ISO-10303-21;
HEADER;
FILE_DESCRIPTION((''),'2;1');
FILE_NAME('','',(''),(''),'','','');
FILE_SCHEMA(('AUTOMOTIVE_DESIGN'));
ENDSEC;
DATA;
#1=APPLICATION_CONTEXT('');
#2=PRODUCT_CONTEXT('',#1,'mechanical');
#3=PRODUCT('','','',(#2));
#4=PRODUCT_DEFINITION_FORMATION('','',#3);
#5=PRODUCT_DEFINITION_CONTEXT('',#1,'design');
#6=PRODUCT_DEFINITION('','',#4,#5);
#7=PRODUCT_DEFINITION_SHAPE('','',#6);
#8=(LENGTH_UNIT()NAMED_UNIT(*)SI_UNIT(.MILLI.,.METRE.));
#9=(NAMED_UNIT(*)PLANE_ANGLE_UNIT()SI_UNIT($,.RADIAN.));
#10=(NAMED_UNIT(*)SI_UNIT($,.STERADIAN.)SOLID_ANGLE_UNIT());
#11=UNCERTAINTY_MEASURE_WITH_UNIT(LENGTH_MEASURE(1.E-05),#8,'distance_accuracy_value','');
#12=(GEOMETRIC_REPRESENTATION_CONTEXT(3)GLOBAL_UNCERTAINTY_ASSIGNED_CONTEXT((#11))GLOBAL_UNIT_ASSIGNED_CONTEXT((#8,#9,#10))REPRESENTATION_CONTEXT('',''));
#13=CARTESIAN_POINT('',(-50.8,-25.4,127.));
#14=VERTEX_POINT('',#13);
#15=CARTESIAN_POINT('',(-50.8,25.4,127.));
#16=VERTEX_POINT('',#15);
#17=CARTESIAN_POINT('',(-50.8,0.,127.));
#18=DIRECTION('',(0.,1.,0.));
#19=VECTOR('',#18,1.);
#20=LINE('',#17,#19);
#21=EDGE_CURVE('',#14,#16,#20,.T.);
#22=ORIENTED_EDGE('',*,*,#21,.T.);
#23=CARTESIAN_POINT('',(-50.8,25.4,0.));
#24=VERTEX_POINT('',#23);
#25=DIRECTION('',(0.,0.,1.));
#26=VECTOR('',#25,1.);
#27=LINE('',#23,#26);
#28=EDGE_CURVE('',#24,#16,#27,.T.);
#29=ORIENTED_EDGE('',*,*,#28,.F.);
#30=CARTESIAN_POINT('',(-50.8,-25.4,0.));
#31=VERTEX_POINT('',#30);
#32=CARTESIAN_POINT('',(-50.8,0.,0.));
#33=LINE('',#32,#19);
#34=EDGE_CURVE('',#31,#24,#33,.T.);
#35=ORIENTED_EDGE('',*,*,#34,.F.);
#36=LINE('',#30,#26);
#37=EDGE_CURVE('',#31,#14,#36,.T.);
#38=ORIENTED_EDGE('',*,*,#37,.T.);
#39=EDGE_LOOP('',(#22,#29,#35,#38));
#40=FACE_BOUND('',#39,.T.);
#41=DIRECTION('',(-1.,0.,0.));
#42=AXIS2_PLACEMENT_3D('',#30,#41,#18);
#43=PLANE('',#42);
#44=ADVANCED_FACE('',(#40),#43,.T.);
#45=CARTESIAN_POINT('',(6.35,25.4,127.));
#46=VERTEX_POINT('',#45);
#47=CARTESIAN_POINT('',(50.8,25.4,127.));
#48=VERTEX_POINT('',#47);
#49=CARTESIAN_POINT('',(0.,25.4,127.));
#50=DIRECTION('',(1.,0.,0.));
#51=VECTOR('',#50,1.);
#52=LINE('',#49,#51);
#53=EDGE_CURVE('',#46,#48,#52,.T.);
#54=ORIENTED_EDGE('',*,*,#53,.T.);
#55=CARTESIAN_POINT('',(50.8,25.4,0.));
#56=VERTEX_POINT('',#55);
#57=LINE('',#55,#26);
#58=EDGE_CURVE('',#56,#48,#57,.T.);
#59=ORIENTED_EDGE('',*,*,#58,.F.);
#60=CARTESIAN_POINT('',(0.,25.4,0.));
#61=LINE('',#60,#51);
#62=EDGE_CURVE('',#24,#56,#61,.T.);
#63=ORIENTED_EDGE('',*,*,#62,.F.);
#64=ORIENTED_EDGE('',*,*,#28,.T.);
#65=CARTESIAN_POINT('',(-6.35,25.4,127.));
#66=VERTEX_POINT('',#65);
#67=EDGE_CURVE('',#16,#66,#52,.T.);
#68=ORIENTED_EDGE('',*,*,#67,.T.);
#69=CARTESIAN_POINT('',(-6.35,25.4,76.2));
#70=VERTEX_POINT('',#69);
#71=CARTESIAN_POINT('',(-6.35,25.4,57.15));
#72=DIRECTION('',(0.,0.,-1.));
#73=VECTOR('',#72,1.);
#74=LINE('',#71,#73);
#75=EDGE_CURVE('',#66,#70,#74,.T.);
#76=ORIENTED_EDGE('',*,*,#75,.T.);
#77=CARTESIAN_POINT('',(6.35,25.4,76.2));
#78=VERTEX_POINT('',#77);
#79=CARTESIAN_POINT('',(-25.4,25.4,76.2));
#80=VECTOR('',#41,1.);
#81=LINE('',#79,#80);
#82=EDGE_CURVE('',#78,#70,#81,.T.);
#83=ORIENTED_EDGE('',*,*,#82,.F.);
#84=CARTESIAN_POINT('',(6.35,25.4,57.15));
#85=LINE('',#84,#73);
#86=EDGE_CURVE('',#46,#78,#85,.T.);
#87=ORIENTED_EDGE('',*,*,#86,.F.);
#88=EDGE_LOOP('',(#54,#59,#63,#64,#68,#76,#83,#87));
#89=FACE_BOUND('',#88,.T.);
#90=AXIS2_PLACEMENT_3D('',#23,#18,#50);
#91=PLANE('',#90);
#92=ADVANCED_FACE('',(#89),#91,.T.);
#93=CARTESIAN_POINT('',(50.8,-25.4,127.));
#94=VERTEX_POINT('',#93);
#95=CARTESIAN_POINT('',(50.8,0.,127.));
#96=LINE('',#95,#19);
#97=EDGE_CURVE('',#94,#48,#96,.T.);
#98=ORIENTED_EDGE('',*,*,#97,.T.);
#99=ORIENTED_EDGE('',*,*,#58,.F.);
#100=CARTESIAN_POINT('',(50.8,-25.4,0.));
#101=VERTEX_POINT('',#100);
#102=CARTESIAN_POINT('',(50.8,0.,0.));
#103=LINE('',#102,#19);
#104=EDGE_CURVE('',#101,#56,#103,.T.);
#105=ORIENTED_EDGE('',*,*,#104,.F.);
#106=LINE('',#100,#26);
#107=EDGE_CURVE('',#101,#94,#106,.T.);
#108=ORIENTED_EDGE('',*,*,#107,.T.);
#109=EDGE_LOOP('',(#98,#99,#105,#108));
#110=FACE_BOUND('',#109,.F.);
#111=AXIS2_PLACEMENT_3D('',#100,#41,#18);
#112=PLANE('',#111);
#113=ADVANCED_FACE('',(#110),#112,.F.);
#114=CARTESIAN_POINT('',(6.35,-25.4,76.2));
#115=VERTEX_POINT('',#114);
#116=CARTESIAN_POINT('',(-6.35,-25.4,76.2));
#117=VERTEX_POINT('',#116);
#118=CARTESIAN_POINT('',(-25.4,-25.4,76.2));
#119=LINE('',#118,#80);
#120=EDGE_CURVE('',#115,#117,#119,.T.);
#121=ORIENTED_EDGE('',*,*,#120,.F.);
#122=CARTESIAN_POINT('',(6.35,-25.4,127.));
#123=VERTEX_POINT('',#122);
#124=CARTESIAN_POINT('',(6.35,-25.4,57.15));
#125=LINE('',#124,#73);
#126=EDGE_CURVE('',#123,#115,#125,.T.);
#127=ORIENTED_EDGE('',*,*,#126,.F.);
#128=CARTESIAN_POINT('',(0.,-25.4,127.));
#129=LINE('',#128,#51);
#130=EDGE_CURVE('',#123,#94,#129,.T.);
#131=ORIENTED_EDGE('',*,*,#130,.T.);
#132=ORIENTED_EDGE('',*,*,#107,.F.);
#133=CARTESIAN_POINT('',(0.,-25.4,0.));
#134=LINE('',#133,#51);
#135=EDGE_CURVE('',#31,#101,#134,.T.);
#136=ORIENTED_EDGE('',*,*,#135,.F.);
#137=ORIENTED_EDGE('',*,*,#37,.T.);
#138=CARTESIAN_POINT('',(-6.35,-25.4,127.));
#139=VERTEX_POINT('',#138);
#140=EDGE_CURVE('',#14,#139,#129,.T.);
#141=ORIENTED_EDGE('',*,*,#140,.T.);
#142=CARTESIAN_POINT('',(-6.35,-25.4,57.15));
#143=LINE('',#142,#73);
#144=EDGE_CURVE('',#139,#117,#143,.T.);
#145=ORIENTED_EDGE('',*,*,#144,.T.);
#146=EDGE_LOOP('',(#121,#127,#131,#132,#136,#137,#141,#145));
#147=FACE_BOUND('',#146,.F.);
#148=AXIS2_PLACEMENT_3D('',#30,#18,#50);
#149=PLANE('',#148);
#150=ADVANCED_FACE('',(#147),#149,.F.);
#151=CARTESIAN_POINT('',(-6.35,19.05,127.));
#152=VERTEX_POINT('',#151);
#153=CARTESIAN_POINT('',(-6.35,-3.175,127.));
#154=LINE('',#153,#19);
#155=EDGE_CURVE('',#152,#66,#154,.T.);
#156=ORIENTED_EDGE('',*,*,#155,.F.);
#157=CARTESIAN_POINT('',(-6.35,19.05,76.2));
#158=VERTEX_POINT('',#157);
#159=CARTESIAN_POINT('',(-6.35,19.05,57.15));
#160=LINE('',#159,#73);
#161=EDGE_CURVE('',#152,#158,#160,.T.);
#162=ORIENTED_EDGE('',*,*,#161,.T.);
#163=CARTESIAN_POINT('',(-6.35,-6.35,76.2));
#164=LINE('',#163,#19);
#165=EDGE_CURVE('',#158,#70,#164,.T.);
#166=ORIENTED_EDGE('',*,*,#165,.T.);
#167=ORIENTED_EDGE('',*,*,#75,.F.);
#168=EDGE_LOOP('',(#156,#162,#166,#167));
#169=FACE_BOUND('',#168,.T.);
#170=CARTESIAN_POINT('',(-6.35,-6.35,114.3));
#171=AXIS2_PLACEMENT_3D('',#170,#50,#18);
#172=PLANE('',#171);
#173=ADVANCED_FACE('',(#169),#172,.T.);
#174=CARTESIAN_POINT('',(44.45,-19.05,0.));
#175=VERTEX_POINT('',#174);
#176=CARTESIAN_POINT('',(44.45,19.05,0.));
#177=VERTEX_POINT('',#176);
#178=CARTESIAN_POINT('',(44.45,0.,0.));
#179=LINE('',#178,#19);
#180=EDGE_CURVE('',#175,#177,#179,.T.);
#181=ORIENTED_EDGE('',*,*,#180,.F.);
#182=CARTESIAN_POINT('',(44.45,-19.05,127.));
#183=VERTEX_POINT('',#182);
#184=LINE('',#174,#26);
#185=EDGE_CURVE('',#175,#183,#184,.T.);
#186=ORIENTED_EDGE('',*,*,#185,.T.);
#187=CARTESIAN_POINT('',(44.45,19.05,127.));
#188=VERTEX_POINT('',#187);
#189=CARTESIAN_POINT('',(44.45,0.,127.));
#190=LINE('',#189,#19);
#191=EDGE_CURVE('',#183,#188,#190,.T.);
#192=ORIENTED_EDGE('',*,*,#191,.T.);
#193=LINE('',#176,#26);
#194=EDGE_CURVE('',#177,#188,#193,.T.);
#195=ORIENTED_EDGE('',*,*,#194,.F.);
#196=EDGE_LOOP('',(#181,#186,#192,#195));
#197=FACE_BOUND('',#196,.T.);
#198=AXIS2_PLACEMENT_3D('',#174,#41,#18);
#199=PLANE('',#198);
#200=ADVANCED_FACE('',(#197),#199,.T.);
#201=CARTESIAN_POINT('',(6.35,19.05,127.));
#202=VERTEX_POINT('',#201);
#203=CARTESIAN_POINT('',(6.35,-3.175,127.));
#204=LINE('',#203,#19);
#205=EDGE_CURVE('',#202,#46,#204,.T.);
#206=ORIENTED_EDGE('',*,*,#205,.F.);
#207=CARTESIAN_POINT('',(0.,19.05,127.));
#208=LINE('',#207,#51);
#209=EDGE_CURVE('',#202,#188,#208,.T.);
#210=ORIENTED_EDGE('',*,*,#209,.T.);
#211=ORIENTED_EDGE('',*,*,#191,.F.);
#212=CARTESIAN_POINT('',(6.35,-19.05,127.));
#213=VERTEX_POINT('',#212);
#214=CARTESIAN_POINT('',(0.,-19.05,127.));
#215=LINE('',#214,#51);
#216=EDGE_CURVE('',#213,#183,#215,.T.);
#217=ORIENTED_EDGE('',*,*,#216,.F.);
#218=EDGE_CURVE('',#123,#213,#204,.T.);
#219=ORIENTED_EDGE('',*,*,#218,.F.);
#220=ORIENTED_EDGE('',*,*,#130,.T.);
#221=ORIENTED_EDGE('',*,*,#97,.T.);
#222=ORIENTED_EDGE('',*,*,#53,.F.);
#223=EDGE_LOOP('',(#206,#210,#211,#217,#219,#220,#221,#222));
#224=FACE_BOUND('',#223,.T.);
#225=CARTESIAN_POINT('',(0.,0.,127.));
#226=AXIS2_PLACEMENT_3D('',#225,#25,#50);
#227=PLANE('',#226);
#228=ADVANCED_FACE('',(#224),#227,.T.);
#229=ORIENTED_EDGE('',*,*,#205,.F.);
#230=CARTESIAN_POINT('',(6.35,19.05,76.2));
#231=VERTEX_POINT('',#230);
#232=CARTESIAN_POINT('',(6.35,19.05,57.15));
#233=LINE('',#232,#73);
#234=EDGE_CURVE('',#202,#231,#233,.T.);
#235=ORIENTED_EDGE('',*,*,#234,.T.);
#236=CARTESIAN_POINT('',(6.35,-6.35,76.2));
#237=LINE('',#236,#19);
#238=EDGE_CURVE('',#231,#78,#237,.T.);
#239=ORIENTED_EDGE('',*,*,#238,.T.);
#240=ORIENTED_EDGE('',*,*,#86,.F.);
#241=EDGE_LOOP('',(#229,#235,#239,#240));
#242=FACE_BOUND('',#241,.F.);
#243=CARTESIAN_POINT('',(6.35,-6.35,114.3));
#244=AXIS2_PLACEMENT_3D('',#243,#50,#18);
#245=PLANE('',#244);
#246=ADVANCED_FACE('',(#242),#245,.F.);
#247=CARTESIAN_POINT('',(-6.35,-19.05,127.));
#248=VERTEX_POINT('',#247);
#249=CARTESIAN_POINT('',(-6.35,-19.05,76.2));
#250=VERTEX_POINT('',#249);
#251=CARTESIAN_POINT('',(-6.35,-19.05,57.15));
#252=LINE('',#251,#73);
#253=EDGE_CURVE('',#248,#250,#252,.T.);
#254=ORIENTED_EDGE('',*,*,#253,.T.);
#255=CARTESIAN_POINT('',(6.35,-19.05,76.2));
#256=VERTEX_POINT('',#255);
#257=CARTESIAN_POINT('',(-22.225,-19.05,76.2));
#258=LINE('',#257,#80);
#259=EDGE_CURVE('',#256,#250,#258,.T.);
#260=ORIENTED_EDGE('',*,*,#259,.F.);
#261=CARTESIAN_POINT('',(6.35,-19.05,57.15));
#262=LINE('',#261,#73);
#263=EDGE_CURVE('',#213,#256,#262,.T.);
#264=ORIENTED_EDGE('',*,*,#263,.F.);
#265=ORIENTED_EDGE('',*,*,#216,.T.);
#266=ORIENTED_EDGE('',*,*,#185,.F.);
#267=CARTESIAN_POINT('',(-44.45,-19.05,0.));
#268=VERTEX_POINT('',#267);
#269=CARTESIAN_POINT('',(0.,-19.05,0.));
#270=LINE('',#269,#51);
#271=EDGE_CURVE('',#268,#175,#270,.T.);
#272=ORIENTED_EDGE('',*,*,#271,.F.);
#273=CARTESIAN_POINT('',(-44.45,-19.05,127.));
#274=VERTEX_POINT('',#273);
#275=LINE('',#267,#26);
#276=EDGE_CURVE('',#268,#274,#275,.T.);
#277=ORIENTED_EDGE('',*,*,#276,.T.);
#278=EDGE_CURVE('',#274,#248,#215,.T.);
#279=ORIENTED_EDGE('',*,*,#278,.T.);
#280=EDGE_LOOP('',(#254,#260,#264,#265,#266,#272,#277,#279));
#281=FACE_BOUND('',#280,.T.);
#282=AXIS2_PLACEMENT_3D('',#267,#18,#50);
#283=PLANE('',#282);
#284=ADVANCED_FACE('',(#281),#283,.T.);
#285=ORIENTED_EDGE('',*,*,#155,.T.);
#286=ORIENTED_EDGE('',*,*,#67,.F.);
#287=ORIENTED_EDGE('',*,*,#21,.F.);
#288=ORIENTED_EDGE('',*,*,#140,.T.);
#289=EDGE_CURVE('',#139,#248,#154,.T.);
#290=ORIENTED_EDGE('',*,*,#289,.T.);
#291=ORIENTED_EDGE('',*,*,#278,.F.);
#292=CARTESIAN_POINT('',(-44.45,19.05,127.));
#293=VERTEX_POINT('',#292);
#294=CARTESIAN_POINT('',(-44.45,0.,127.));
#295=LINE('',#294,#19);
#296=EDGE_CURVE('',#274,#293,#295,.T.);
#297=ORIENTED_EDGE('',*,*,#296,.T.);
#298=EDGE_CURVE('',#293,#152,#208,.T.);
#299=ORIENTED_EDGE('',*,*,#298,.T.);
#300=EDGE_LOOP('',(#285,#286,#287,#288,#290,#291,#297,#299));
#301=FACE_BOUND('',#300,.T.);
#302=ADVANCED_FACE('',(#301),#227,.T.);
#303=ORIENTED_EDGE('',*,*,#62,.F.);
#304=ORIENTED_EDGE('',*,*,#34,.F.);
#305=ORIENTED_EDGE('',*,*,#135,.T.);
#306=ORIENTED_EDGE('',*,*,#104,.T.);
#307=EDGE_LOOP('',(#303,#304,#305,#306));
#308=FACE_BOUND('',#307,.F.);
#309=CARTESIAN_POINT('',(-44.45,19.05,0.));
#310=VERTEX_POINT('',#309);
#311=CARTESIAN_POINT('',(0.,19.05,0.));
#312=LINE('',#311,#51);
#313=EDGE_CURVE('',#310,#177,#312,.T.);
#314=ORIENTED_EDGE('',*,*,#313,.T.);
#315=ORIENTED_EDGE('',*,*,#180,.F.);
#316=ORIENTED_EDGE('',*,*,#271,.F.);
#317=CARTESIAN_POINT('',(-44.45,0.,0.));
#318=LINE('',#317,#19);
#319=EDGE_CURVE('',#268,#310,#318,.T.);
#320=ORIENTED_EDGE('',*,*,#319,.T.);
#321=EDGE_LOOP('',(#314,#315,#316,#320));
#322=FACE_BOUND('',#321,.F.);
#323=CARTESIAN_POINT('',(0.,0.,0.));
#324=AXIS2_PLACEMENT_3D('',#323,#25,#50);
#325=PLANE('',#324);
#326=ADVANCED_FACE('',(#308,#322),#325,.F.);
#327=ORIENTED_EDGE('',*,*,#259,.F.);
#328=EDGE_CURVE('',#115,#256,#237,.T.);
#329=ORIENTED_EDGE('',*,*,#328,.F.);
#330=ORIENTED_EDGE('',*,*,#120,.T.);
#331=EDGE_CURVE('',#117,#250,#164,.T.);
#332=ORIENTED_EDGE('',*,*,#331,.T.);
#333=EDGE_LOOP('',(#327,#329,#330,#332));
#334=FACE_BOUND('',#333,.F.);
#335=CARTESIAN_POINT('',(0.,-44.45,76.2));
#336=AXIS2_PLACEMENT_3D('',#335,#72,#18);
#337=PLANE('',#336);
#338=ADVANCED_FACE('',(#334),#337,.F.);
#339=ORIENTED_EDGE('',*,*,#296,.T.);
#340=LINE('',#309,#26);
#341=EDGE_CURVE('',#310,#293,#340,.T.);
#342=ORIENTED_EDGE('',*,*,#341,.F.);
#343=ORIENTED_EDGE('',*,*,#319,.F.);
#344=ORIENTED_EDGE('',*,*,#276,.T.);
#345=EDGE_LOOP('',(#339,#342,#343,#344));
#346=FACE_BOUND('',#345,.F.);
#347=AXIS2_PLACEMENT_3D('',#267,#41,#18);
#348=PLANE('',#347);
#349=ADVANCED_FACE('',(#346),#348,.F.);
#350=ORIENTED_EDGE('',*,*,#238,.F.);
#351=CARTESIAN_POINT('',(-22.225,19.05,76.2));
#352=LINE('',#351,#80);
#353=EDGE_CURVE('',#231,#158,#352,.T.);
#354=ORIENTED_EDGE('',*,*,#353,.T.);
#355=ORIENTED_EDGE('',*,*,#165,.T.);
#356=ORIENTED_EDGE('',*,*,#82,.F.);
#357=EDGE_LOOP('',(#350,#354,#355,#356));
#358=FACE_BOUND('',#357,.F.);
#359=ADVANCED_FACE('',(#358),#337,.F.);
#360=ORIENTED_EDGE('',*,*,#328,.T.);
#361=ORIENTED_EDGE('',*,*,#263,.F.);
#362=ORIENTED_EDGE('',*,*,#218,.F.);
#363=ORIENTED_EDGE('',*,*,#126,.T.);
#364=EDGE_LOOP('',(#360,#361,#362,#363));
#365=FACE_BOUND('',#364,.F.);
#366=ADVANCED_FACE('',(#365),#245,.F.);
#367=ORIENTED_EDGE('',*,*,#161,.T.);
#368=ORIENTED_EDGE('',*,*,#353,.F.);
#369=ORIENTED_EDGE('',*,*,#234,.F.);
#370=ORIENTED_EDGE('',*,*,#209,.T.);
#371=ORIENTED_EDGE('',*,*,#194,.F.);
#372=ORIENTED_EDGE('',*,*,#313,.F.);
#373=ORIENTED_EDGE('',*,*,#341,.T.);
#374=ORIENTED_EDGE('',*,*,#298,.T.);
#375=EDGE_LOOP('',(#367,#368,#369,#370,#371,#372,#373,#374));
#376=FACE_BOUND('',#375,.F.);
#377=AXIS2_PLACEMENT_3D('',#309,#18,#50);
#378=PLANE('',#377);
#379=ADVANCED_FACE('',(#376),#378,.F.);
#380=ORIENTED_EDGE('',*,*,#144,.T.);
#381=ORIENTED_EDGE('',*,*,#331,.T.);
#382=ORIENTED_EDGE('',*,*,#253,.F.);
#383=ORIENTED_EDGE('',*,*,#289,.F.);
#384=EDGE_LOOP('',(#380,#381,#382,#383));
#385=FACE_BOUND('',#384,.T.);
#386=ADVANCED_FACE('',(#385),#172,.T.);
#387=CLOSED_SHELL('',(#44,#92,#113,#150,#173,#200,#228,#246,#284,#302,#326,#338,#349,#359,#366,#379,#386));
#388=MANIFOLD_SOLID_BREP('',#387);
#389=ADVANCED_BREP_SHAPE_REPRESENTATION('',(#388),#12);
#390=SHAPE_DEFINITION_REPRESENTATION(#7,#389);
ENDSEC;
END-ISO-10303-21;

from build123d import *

# Parameters (mm, degrees)
F0_W     = 101.6
F0_H     = 50.8
F0_W_2   = 88.9
F0_H_2   = 38.1
F1_DEPTH = 127
F2_W     = 76.2
F2_H     = 76.2
F3_DEPTH = 6.35


with BuildPart() as f1:
    # F0 (on Top) → F1 (new body)
    with BuildSketch(Plane.XY):
        Rectangle(F0_W, F0_H)
        Rectangle(F0_W_2, F0_H_2, mode=Mode.SUBTRACT)
    extrude(amount=F1_DEPTH)

    # F2 (on Right) → F3 (cut, symmetric)
    with BuildSketch(Plane.YZ):
        with Locations((-6.35, 114.3)):
            Rectangle(F2_W, F2_H)
    extrude(amount=F3_DEPTH, both=True, mode=Mode.SUBTRACT)


solid = f1.part
